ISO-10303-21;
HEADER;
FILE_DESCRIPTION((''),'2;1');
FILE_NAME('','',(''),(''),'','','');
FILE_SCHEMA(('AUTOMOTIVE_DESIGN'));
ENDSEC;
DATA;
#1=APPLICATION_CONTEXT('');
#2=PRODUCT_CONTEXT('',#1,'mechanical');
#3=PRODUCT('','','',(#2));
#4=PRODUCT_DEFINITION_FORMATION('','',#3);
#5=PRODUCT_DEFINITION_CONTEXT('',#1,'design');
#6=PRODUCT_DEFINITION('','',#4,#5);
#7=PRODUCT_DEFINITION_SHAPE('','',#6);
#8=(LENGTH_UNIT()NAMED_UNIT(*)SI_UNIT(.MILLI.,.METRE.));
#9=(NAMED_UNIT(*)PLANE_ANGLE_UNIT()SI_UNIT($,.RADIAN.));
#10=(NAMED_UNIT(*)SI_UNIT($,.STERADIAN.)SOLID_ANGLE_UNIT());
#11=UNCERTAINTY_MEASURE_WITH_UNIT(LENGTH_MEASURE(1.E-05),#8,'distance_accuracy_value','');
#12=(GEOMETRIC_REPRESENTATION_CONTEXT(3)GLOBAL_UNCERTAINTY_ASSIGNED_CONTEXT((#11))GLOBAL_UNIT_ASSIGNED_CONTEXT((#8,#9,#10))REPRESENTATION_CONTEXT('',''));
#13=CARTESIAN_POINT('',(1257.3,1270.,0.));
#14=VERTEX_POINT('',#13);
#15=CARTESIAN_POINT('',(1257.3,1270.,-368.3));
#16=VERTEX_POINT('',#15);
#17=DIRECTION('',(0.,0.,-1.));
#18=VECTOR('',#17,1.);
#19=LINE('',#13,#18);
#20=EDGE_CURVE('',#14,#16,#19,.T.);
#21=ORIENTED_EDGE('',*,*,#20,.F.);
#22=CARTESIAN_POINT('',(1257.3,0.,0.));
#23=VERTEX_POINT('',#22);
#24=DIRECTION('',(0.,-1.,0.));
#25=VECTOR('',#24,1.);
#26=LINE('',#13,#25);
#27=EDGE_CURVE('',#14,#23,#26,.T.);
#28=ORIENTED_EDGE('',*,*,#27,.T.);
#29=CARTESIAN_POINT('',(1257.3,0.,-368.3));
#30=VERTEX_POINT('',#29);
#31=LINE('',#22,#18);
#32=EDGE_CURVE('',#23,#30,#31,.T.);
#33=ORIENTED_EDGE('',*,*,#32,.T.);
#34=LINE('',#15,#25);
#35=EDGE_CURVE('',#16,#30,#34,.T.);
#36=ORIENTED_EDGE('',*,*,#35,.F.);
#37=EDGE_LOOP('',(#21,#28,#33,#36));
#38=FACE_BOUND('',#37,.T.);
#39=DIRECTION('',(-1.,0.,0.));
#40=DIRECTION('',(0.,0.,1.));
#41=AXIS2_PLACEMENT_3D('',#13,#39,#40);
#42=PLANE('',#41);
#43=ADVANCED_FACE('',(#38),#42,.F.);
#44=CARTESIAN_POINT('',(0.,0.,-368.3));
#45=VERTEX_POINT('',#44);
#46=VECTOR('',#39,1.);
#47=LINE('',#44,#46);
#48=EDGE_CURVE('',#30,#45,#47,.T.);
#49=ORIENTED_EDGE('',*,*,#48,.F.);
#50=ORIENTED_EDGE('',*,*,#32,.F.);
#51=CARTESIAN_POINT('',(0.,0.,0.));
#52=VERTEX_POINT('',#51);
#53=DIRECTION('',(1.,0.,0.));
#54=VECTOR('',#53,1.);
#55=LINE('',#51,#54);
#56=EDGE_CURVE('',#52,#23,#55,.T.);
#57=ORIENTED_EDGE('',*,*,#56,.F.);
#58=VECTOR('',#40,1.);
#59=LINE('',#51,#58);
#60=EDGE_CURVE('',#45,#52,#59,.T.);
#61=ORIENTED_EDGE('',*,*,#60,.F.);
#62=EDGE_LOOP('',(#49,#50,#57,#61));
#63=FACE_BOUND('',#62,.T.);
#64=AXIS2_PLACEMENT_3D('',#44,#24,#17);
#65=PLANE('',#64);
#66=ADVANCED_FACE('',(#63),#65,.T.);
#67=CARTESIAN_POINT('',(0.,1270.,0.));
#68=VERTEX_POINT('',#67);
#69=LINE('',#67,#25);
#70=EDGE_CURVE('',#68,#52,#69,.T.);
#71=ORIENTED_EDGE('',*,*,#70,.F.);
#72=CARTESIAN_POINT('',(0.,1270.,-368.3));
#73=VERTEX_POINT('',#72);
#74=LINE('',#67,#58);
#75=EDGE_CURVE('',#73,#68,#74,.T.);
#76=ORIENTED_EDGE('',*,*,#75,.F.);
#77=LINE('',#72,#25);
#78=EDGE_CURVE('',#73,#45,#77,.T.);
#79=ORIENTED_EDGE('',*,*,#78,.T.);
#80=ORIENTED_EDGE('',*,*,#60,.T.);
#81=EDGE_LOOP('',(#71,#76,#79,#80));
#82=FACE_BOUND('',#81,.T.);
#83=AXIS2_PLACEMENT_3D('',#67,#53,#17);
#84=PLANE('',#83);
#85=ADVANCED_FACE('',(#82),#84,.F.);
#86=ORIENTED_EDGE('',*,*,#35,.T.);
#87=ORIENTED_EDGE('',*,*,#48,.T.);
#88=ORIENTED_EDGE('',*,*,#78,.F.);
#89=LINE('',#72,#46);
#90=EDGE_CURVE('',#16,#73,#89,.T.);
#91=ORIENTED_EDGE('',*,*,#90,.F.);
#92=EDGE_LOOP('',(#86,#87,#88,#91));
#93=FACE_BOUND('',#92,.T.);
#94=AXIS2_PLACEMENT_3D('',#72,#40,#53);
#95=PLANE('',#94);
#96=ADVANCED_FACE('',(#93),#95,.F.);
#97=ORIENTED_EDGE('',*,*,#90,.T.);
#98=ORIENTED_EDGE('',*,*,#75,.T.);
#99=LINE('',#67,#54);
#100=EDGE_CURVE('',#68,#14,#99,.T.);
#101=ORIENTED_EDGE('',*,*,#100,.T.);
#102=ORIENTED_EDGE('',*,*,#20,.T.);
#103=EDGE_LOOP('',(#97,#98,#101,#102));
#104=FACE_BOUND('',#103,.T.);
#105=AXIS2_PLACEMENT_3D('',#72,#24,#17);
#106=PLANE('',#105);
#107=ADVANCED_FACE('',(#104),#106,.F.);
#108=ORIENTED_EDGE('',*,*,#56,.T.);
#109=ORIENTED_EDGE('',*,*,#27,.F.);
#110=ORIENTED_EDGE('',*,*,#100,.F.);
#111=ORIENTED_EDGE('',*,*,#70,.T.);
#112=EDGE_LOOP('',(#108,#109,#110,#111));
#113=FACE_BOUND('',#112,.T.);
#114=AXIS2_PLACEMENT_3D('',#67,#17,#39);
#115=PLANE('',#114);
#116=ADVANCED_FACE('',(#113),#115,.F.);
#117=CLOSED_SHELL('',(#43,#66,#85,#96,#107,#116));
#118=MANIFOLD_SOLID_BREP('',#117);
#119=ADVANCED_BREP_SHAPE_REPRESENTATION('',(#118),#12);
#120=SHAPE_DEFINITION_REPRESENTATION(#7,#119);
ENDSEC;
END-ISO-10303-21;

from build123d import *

# Parameters (mm, degrees)
SKETCH1_W      = 1257.3
SKETCH1_H      = 368.3
EXTRUDE1_DEPTH = 1270


with BuildPart() as part:
    # Sketch1 → Extrude1 (new body)
    with BuildSketch(Plane(origin=(0, 0, 0), x_dir=(1, 0, 0), z_dir=(0, 1, 0))):
        with Locations((628.65, 184.15)):
            Rectangle(SKETCH1_W, SKETCH1_H)
    extrude(amount=EXTRUDE1_DEPTH)


solid = part.part
